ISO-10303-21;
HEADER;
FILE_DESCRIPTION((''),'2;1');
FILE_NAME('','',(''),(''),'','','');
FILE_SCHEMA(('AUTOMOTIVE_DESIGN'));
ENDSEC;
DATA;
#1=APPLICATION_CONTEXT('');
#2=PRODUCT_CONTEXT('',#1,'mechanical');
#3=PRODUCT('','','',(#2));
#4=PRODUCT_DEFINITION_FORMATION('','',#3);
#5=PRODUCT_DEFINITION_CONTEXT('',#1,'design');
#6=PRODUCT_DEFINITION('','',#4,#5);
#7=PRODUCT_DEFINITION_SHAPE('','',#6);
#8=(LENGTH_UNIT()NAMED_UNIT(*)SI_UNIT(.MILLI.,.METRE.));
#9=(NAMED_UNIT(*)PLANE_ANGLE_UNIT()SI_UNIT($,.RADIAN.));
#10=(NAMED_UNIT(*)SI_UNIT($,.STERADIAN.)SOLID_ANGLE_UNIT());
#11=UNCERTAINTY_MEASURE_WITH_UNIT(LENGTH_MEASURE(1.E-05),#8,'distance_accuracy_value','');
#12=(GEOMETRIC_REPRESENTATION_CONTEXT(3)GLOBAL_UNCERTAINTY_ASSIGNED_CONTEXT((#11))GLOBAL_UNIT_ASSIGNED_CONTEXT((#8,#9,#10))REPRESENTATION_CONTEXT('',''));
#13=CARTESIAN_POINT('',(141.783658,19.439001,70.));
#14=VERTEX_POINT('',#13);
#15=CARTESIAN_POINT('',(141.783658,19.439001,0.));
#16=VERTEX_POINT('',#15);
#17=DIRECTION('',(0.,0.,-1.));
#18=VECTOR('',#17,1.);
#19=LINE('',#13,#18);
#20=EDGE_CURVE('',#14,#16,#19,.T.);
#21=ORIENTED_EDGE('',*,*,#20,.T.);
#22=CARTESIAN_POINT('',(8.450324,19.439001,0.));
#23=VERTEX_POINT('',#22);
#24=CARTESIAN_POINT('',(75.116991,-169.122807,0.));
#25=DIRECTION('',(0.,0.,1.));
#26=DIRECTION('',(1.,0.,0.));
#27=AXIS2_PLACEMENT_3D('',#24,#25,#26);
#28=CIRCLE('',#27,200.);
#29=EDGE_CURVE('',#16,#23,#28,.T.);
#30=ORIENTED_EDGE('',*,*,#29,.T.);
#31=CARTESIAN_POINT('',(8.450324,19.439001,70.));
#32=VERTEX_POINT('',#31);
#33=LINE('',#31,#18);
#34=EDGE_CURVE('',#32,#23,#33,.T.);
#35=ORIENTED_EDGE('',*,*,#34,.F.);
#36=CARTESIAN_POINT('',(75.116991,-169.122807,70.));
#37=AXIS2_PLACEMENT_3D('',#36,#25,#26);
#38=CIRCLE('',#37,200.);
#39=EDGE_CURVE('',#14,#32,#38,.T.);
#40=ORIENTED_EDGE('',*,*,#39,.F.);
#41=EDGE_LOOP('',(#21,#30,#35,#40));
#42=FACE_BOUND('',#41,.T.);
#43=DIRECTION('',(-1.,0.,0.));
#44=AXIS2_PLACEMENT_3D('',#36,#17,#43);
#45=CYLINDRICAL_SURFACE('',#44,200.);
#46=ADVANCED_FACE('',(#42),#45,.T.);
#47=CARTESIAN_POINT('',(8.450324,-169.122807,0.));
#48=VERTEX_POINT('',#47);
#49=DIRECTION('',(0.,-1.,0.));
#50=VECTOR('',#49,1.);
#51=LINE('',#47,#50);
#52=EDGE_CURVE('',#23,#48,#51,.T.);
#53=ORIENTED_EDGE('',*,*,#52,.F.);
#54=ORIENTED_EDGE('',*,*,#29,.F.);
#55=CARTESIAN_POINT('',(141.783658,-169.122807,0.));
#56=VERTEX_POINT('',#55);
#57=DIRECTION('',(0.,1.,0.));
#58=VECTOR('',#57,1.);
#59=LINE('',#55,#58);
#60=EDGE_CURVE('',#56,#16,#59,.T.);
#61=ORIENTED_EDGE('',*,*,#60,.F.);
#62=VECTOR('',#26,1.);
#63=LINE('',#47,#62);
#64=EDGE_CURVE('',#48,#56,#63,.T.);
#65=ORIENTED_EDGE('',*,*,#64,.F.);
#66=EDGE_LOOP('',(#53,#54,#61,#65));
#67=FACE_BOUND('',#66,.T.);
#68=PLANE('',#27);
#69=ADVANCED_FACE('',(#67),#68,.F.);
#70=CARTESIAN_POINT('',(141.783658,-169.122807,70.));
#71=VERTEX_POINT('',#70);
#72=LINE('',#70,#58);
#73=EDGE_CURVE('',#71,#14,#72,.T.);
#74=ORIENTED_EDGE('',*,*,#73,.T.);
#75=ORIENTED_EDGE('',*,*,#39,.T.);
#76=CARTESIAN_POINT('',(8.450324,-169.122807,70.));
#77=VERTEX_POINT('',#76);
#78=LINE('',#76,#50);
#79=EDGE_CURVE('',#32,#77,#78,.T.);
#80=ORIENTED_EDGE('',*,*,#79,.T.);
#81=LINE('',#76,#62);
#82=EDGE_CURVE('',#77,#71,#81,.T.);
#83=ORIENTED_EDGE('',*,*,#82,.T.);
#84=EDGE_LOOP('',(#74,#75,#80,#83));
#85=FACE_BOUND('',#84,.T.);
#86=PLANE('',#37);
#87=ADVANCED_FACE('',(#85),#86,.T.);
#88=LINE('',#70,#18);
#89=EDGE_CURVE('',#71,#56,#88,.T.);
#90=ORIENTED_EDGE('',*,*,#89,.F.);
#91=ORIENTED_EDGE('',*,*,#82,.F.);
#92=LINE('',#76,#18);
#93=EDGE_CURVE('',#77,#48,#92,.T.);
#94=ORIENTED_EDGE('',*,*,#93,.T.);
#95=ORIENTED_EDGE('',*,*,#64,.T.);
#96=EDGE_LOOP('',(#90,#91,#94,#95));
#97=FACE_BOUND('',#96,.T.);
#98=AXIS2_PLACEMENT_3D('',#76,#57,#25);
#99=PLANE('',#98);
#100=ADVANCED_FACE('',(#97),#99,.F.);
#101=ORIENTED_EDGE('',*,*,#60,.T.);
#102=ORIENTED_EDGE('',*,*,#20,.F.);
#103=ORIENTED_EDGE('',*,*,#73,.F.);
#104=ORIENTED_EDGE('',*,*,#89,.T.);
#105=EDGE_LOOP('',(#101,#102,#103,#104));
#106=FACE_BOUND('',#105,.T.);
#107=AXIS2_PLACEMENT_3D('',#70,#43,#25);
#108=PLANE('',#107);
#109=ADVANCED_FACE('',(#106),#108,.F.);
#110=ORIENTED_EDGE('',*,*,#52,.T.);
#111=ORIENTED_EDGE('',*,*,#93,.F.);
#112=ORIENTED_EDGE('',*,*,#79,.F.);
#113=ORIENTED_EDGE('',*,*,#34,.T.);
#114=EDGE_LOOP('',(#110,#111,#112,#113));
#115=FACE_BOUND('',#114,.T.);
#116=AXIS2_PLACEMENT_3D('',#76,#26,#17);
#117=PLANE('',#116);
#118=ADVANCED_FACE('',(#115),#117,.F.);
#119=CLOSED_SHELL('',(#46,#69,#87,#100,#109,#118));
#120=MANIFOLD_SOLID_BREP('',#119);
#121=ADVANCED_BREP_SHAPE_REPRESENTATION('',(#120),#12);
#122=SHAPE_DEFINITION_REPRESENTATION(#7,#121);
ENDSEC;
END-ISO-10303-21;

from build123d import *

# Parameters (mm, degrees)
BOSS_EXTRU_3_DEPTH = 70


with BuildPart() as part:
    # Esquisse2 → Boss.-Extru.3 (new body)
    with BuildSketch(Plane.XY):
        with BuildLine():
            Line((8.450324494, -169.122807018), (141.783657827, -169.122807018))
            Line((141.783657827, -169.122807018), (141.783657827, 19.439001299))
            ThreePointArc((141.783657827, 19.439001299), (75.116991161, 30.877192982), (8.450324494, 19.439001299))
            Line((8.450324494, 19.439001299), (8.450324494, -169.122807018))
        make_face()
    extrude(amount=BOSS_EXTRU_3_DEPTH)


solid = part.part
